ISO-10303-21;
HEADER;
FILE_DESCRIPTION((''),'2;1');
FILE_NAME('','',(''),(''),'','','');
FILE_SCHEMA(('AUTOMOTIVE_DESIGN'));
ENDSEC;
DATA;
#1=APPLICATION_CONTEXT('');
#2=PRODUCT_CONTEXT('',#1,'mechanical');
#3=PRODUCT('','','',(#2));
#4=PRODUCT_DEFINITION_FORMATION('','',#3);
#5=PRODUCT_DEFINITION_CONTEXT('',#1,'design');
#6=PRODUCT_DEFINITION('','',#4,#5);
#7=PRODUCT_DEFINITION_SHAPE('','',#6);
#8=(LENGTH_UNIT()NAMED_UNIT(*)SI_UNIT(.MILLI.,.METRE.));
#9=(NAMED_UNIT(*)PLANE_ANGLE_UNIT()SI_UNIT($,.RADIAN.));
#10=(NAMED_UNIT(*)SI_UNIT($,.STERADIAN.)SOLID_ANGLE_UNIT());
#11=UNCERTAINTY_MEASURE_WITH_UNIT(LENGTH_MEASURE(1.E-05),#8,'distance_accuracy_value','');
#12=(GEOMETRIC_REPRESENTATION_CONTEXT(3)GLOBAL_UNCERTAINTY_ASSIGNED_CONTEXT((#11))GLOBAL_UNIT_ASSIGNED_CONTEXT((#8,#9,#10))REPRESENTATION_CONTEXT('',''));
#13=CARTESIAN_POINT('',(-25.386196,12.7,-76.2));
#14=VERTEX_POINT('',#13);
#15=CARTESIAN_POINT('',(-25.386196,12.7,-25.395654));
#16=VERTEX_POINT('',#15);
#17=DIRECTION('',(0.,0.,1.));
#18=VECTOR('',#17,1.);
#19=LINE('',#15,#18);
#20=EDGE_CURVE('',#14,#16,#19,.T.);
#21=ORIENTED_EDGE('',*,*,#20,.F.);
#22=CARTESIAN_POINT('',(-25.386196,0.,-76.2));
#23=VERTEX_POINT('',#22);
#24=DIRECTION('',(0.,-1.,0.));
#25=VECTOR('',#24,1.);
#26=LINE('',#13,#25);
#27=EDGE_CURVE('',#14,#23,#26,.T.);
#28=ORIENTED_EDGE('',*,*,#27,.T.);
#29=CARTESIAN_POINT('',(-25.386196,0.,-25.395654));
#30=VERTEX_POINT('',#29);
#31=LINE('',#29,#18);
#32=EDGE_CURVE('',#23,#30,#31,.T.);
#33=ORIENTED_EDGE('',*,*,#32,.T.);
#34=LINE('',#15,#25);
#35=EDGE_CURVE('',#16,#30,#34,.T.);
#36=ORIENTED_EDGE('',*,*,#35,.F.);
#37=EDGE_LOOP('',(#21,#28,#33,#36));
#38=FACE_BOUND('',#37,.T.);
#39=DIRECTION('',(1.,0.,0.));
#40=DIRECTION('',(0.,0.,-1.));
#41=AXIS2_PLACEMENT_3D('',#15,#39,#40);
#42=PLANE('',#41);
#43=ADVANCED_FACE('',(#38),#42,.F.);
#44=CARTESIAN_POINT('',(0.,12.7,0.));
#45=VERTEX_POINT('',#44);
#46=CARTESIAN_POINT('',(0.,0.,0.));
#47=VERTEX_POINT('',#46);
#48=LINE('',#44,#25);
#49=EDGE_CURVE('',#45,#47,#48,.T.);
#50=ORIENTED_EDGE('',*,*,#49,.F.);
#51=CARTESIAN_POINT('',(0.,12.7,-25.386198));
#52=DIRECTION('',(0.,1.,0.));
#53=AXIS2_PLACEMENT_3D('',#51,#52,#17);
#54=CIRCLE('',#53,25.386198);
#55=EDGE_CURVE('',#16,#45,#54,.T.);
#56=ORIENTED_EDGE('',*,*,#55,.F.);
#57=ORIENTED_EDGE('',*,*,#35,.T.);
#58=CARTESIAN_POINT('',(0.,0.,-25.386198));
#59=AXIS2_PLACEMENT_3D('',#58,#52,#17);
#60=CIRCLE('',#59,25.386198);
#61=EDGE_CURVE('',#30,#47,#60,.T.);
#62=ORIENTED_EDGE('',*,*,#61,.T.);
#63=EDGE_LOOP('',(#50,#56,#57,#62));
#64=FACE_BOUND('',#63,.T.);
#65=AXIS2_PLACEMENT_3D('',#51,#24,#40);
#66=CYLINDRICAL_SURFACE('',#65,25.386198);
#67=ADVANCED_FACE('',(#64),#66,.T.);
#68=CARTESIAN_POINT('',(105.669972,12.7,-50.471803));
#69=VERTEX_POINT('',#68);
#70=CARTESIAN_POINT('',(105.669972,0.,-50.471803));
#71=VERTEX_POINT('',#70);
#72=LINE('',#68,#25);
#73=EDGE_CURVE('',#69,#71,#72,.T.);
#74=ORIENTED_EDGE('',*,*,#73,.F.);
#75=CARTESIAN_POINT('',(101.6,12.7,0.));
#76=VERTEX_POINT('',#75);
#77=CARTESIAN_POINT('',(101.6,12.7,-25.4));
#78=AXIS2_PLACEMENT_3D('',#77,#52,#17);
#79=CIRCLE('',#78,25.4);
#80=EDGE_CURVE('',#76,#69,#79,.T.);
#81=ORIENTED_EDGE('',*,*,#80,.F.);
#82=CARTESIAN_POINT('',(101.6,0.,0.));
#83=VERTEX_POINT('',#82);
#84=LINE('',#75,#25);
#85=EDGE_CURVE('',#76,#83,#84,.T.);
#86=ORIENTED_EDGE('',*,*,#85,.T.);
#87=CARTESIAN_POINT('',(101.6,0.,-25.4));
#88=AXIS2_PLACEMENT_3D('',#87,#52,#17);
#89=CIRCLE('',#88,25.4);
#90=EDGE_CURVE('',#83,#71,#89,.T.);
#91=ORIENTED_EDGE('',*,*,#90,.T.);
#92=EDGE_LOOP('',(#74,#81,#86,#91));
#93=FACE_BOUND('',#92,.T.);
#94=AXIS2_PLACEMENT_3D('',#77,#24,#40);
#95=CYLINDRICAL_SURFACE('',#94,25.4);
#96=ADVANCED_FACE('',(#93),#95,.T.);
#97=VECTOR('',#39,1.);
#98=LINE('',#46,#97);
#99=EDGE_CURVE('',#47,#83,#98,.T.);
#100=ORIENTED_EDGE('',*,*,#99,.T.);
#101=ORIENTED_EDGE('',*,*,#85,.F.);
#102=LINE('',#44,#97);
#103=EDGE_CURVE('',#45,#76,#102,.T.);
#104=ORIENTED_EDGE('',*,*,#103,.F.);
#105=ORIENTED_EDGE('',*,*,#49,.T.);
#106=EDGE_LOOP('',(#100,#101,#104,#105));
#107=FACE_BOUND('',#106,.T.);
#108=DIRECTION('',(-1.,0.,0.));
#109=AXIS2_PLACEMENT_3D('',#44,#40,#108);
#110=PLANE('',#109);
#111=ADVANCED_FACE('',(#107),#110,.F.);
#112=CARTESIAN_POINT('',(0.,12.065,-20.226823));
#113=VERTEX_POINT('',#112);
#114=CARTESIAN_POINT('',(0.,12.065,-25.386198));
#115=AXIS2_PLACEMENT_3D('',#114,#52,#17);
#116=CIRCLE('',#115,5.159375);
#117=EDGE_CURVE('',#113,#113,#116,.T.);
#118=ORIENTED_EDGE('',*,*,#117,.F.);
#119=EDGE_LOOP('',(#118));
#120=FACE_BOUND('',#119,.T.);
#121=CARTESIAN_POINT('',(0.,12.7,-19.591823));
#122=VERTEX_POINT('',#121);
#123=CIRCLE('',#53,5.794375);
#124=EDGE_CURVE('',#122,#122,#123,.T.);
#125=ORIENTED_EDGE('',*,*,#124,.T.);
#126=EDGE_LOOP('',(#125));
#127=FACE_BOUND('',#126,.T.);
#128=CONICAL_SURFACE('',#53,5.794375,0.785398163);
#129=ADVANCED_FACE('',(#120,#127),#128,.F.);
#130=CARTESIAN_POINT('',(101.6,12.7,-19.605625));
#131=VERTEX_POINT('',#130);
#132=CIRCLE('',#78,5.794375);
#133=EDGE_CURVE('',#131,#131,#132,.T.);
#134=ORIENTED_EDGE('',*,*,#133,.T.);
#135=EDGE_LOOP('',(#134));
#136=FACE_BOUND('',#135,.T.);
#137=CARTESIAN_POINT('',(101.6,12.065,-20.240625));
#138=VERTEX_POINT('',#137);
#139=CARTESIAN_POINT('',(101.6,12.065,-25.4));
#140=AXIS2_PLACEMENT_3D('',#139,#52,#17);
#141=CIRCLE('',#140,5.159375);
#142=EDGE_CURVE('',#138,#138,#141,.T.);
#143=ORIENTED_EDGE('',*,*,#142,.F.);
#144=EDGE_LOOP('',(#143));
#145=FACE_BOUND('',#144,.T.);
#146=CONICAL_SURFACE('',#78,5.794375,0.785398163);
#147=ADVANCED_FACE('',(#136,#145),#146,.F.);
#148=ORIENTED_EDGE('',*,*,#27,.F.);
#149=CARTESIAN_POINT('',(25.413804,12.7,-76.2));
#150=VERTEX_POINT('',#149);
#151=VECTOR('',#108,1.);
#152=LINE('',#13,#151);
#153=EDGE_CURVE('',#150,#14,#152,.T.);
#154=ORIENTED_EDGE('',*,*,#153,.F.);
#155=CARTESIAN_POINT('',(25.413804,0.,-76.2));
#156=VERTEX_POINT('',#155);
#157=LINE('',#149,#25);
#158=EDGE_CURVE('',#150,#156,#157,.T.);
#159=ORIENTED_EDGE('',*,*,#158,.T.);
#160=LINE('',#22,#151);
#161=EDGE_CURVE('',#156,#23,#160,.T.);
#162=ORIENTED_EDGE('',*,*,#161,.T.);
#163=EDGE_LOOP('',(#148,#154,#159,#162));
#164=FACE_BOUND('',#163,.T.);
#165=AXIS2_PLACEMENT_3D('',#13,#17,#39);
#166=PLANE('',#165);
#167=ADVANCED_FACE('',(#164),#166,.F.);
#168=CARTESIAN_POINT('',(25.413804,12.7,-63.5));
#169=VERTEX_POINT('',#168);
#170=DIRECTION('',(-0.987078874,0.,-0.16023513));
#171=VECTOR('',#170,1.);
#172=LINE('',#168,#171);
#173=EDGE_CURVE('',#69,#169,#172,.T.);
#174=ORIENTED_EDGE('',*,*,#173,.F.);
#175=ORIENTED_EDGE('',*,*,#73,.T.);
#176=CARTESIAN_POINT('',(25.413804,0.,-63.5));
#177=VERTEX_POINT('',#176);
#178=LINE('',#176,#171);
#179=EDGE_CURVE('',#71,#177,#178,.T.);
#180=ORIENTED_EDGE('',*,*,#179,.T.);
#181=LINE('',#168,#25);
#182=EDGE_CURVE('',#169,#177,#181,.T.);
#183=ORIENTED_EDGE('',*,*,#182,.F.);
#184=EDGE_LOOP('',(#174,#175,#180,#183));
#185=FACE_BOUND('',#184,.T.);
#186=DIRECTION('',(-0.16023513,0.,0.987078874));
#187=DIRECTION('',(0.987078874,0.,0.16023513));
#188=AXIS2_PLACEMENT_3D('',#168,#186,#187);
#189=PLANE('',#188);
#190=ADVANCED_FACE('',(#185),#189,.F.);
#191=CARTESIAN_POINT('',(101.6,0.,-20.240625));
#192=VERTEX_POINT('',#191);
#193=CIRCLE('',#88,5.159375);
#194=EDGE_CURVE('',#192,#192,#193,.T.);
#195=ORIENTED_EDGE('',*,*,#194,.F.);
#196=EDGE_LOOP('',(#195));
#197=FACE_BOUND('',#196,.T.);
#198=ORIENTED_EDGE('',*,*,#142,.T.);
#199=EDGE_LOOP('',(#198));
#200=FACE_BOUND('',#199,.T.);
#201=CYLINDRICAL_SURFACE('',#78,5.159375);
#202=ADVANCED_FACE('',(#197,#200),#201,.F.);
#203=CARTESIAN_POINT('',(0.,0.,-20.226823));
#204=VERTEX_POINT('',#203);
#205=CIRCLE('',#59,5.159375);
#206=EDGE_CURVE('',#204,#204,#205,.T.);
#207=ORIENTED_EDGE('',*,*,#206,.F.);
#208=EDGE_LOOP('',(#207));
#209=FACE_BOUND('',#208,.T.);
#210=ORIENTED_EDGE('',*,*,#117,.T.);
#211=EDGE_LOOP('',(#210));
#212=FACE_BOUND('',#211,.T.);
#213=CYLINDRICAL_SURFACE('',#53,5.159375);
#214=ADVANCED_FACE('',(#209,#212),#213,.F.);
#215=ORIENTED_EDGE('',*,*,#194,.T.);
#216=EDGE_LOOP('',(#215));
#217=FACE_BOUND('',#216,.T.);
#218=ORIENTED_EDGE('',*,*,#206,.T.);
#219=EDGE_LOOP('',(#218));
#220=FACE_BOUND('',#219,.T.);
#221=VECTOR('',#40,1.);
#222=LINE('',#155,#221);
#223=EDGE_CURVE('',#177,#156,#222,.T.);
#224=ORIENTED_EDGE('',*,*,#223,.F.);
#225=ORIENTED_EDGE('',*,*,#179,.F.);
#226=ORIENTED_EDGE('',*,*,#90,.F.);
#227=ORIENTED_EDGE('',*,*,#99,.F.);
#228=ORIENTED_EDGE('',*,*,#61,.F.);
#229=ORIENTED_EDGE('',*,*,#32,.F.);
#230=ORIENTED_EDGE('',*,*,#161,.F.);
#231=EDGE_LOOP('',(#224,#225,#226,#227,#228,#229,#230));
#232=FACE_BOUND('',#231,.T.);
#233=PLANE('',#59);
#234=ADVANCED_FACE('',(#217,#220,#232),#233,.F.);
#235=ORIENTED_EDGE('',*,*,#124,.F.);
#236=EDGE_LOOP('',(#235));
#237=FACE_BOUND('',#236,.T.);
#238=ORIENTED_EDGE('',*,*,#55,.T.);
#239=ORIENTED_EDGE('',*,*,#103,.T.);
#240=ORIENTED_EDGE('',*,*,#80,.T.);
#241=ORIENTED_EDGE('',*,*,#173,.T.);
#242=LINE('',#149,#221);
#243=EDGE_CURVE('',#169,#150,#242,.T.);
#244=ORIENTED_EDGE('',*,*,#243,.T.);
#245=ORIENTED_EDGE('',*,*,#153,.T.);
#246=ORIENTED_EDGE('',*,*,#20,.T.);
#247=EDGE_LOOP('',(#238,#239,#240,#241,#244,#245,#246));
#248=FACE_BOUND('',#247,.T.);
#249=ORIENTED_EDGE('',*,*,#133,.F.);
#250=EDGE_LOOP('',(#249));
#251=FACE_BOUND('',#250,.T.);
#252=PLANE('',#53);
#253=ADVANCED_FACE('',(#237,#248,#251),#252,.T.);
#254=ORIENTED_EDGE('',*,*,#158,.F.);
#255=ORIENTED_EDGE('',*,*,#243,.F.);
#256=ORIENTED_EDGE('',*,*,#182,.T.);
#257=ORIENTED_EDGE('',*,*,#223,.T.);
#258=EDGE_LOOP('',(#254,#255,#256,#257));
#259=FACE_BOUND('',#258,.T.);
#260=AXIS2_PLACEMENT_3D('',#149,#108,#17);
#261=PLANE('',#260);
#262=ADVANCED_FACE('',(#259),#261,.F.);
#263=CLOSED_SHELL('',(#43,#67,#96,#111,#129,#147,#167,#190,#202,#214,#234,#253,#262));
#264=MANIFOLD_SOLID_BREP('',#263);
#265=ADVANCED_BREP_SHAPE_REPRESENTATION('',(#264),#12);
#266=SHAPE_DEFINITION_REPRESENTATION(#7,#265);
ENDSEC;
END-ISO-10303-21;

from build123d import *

# Parameters (mm, degrees)
BOSS_EXTRUDE2_DEPTH                        = 12.7
F_13_32_0_40625_DIAMETER_HOLE3_D           = 10.31875
F_13_32_0_40625_DIAMETER_HOLE3_CSINK_D     = 11.58875
F_13_32_0_40625_DIAMETER_HOLE3_CSINK_ANGLE = 90
F_13_32_0_40625_DIAMETER_HOLE2_D           = 10.31875
F_13_32_0_40625_DIAMETER_HOLE2_CSINK_D     = 11.58875
F_13_32_0_40625_DIAMETER_HOLE2_CSINK_ANGLE = 90


with BuildPart() as part:
    # Sketch1 → Boss-Extrude2 (new body)
    with BuildSketch(Plane(origin=(0, 0, 0), x_dir=(1, 0, 0), z_dir=(0, 1, 0))):
        with BuildLine():
            Line((0, 0), (101.6, 0))
            ThreePointArc((101.6, 0), (126.917817898, 23.358408246), (105.669972302, 50.471803395))
            Line((105.669972302, 50.471803395), (25.413803556, 63.5))
            Line((25.413803556, 63.5), (25.413803556, 76.2))
            Line((25.413803556, 76.2), (-25.386196444, 76.2))
            Line((-25.386196444, 76.2), (-25.386196444, 25.395653824))
            ThreePointArc((-25.386196444, 25.395653824), (-17.954095654, 7.438788683), (0, 0))
        make_face()
    extrude(amount=BOSS_EXTRUDE2_DEPTH)

    # 13/32 (0.40625) Diameter Hole3 (through all)
    with Locations(Plane(origin=(0, 12.7, 0), x_dir=(1, 0, 0), z_dir=(0, 1, 0))):
        with Locations((101.6, 25.4)):
            CounterSinkHole(F_13_32_0_40625_DIAMETER_HOLE3_D / 2, F_13_32_0_40625_DIAMETER_HOLE3_CSINK_D / 2, counter_sink_angle=F_13_32_0_40625_DIAMETER_HOLE3_CSINK_ANGLE)

    # 13/32 (0.40625) Diameter Hole2 (through all)
    with Locations(Plane(origin=(0, 12.7, 0), x_dir=(1, 0, 0), z_dir=(0, 1, 0))):
        with Locations((0, 25.386198205)):
            CounterSinkHole(F_13_32_0_40625_DIAMETER_HOLE2_D / 2, F_13_32_0_40625_DIAMETER_HOLE2_CSINK_D / 2, counter_sink_angle=F_13_32_0_40625_DIAMETER_HOLE2_CSINK_ANGLE)


solid = part.part
